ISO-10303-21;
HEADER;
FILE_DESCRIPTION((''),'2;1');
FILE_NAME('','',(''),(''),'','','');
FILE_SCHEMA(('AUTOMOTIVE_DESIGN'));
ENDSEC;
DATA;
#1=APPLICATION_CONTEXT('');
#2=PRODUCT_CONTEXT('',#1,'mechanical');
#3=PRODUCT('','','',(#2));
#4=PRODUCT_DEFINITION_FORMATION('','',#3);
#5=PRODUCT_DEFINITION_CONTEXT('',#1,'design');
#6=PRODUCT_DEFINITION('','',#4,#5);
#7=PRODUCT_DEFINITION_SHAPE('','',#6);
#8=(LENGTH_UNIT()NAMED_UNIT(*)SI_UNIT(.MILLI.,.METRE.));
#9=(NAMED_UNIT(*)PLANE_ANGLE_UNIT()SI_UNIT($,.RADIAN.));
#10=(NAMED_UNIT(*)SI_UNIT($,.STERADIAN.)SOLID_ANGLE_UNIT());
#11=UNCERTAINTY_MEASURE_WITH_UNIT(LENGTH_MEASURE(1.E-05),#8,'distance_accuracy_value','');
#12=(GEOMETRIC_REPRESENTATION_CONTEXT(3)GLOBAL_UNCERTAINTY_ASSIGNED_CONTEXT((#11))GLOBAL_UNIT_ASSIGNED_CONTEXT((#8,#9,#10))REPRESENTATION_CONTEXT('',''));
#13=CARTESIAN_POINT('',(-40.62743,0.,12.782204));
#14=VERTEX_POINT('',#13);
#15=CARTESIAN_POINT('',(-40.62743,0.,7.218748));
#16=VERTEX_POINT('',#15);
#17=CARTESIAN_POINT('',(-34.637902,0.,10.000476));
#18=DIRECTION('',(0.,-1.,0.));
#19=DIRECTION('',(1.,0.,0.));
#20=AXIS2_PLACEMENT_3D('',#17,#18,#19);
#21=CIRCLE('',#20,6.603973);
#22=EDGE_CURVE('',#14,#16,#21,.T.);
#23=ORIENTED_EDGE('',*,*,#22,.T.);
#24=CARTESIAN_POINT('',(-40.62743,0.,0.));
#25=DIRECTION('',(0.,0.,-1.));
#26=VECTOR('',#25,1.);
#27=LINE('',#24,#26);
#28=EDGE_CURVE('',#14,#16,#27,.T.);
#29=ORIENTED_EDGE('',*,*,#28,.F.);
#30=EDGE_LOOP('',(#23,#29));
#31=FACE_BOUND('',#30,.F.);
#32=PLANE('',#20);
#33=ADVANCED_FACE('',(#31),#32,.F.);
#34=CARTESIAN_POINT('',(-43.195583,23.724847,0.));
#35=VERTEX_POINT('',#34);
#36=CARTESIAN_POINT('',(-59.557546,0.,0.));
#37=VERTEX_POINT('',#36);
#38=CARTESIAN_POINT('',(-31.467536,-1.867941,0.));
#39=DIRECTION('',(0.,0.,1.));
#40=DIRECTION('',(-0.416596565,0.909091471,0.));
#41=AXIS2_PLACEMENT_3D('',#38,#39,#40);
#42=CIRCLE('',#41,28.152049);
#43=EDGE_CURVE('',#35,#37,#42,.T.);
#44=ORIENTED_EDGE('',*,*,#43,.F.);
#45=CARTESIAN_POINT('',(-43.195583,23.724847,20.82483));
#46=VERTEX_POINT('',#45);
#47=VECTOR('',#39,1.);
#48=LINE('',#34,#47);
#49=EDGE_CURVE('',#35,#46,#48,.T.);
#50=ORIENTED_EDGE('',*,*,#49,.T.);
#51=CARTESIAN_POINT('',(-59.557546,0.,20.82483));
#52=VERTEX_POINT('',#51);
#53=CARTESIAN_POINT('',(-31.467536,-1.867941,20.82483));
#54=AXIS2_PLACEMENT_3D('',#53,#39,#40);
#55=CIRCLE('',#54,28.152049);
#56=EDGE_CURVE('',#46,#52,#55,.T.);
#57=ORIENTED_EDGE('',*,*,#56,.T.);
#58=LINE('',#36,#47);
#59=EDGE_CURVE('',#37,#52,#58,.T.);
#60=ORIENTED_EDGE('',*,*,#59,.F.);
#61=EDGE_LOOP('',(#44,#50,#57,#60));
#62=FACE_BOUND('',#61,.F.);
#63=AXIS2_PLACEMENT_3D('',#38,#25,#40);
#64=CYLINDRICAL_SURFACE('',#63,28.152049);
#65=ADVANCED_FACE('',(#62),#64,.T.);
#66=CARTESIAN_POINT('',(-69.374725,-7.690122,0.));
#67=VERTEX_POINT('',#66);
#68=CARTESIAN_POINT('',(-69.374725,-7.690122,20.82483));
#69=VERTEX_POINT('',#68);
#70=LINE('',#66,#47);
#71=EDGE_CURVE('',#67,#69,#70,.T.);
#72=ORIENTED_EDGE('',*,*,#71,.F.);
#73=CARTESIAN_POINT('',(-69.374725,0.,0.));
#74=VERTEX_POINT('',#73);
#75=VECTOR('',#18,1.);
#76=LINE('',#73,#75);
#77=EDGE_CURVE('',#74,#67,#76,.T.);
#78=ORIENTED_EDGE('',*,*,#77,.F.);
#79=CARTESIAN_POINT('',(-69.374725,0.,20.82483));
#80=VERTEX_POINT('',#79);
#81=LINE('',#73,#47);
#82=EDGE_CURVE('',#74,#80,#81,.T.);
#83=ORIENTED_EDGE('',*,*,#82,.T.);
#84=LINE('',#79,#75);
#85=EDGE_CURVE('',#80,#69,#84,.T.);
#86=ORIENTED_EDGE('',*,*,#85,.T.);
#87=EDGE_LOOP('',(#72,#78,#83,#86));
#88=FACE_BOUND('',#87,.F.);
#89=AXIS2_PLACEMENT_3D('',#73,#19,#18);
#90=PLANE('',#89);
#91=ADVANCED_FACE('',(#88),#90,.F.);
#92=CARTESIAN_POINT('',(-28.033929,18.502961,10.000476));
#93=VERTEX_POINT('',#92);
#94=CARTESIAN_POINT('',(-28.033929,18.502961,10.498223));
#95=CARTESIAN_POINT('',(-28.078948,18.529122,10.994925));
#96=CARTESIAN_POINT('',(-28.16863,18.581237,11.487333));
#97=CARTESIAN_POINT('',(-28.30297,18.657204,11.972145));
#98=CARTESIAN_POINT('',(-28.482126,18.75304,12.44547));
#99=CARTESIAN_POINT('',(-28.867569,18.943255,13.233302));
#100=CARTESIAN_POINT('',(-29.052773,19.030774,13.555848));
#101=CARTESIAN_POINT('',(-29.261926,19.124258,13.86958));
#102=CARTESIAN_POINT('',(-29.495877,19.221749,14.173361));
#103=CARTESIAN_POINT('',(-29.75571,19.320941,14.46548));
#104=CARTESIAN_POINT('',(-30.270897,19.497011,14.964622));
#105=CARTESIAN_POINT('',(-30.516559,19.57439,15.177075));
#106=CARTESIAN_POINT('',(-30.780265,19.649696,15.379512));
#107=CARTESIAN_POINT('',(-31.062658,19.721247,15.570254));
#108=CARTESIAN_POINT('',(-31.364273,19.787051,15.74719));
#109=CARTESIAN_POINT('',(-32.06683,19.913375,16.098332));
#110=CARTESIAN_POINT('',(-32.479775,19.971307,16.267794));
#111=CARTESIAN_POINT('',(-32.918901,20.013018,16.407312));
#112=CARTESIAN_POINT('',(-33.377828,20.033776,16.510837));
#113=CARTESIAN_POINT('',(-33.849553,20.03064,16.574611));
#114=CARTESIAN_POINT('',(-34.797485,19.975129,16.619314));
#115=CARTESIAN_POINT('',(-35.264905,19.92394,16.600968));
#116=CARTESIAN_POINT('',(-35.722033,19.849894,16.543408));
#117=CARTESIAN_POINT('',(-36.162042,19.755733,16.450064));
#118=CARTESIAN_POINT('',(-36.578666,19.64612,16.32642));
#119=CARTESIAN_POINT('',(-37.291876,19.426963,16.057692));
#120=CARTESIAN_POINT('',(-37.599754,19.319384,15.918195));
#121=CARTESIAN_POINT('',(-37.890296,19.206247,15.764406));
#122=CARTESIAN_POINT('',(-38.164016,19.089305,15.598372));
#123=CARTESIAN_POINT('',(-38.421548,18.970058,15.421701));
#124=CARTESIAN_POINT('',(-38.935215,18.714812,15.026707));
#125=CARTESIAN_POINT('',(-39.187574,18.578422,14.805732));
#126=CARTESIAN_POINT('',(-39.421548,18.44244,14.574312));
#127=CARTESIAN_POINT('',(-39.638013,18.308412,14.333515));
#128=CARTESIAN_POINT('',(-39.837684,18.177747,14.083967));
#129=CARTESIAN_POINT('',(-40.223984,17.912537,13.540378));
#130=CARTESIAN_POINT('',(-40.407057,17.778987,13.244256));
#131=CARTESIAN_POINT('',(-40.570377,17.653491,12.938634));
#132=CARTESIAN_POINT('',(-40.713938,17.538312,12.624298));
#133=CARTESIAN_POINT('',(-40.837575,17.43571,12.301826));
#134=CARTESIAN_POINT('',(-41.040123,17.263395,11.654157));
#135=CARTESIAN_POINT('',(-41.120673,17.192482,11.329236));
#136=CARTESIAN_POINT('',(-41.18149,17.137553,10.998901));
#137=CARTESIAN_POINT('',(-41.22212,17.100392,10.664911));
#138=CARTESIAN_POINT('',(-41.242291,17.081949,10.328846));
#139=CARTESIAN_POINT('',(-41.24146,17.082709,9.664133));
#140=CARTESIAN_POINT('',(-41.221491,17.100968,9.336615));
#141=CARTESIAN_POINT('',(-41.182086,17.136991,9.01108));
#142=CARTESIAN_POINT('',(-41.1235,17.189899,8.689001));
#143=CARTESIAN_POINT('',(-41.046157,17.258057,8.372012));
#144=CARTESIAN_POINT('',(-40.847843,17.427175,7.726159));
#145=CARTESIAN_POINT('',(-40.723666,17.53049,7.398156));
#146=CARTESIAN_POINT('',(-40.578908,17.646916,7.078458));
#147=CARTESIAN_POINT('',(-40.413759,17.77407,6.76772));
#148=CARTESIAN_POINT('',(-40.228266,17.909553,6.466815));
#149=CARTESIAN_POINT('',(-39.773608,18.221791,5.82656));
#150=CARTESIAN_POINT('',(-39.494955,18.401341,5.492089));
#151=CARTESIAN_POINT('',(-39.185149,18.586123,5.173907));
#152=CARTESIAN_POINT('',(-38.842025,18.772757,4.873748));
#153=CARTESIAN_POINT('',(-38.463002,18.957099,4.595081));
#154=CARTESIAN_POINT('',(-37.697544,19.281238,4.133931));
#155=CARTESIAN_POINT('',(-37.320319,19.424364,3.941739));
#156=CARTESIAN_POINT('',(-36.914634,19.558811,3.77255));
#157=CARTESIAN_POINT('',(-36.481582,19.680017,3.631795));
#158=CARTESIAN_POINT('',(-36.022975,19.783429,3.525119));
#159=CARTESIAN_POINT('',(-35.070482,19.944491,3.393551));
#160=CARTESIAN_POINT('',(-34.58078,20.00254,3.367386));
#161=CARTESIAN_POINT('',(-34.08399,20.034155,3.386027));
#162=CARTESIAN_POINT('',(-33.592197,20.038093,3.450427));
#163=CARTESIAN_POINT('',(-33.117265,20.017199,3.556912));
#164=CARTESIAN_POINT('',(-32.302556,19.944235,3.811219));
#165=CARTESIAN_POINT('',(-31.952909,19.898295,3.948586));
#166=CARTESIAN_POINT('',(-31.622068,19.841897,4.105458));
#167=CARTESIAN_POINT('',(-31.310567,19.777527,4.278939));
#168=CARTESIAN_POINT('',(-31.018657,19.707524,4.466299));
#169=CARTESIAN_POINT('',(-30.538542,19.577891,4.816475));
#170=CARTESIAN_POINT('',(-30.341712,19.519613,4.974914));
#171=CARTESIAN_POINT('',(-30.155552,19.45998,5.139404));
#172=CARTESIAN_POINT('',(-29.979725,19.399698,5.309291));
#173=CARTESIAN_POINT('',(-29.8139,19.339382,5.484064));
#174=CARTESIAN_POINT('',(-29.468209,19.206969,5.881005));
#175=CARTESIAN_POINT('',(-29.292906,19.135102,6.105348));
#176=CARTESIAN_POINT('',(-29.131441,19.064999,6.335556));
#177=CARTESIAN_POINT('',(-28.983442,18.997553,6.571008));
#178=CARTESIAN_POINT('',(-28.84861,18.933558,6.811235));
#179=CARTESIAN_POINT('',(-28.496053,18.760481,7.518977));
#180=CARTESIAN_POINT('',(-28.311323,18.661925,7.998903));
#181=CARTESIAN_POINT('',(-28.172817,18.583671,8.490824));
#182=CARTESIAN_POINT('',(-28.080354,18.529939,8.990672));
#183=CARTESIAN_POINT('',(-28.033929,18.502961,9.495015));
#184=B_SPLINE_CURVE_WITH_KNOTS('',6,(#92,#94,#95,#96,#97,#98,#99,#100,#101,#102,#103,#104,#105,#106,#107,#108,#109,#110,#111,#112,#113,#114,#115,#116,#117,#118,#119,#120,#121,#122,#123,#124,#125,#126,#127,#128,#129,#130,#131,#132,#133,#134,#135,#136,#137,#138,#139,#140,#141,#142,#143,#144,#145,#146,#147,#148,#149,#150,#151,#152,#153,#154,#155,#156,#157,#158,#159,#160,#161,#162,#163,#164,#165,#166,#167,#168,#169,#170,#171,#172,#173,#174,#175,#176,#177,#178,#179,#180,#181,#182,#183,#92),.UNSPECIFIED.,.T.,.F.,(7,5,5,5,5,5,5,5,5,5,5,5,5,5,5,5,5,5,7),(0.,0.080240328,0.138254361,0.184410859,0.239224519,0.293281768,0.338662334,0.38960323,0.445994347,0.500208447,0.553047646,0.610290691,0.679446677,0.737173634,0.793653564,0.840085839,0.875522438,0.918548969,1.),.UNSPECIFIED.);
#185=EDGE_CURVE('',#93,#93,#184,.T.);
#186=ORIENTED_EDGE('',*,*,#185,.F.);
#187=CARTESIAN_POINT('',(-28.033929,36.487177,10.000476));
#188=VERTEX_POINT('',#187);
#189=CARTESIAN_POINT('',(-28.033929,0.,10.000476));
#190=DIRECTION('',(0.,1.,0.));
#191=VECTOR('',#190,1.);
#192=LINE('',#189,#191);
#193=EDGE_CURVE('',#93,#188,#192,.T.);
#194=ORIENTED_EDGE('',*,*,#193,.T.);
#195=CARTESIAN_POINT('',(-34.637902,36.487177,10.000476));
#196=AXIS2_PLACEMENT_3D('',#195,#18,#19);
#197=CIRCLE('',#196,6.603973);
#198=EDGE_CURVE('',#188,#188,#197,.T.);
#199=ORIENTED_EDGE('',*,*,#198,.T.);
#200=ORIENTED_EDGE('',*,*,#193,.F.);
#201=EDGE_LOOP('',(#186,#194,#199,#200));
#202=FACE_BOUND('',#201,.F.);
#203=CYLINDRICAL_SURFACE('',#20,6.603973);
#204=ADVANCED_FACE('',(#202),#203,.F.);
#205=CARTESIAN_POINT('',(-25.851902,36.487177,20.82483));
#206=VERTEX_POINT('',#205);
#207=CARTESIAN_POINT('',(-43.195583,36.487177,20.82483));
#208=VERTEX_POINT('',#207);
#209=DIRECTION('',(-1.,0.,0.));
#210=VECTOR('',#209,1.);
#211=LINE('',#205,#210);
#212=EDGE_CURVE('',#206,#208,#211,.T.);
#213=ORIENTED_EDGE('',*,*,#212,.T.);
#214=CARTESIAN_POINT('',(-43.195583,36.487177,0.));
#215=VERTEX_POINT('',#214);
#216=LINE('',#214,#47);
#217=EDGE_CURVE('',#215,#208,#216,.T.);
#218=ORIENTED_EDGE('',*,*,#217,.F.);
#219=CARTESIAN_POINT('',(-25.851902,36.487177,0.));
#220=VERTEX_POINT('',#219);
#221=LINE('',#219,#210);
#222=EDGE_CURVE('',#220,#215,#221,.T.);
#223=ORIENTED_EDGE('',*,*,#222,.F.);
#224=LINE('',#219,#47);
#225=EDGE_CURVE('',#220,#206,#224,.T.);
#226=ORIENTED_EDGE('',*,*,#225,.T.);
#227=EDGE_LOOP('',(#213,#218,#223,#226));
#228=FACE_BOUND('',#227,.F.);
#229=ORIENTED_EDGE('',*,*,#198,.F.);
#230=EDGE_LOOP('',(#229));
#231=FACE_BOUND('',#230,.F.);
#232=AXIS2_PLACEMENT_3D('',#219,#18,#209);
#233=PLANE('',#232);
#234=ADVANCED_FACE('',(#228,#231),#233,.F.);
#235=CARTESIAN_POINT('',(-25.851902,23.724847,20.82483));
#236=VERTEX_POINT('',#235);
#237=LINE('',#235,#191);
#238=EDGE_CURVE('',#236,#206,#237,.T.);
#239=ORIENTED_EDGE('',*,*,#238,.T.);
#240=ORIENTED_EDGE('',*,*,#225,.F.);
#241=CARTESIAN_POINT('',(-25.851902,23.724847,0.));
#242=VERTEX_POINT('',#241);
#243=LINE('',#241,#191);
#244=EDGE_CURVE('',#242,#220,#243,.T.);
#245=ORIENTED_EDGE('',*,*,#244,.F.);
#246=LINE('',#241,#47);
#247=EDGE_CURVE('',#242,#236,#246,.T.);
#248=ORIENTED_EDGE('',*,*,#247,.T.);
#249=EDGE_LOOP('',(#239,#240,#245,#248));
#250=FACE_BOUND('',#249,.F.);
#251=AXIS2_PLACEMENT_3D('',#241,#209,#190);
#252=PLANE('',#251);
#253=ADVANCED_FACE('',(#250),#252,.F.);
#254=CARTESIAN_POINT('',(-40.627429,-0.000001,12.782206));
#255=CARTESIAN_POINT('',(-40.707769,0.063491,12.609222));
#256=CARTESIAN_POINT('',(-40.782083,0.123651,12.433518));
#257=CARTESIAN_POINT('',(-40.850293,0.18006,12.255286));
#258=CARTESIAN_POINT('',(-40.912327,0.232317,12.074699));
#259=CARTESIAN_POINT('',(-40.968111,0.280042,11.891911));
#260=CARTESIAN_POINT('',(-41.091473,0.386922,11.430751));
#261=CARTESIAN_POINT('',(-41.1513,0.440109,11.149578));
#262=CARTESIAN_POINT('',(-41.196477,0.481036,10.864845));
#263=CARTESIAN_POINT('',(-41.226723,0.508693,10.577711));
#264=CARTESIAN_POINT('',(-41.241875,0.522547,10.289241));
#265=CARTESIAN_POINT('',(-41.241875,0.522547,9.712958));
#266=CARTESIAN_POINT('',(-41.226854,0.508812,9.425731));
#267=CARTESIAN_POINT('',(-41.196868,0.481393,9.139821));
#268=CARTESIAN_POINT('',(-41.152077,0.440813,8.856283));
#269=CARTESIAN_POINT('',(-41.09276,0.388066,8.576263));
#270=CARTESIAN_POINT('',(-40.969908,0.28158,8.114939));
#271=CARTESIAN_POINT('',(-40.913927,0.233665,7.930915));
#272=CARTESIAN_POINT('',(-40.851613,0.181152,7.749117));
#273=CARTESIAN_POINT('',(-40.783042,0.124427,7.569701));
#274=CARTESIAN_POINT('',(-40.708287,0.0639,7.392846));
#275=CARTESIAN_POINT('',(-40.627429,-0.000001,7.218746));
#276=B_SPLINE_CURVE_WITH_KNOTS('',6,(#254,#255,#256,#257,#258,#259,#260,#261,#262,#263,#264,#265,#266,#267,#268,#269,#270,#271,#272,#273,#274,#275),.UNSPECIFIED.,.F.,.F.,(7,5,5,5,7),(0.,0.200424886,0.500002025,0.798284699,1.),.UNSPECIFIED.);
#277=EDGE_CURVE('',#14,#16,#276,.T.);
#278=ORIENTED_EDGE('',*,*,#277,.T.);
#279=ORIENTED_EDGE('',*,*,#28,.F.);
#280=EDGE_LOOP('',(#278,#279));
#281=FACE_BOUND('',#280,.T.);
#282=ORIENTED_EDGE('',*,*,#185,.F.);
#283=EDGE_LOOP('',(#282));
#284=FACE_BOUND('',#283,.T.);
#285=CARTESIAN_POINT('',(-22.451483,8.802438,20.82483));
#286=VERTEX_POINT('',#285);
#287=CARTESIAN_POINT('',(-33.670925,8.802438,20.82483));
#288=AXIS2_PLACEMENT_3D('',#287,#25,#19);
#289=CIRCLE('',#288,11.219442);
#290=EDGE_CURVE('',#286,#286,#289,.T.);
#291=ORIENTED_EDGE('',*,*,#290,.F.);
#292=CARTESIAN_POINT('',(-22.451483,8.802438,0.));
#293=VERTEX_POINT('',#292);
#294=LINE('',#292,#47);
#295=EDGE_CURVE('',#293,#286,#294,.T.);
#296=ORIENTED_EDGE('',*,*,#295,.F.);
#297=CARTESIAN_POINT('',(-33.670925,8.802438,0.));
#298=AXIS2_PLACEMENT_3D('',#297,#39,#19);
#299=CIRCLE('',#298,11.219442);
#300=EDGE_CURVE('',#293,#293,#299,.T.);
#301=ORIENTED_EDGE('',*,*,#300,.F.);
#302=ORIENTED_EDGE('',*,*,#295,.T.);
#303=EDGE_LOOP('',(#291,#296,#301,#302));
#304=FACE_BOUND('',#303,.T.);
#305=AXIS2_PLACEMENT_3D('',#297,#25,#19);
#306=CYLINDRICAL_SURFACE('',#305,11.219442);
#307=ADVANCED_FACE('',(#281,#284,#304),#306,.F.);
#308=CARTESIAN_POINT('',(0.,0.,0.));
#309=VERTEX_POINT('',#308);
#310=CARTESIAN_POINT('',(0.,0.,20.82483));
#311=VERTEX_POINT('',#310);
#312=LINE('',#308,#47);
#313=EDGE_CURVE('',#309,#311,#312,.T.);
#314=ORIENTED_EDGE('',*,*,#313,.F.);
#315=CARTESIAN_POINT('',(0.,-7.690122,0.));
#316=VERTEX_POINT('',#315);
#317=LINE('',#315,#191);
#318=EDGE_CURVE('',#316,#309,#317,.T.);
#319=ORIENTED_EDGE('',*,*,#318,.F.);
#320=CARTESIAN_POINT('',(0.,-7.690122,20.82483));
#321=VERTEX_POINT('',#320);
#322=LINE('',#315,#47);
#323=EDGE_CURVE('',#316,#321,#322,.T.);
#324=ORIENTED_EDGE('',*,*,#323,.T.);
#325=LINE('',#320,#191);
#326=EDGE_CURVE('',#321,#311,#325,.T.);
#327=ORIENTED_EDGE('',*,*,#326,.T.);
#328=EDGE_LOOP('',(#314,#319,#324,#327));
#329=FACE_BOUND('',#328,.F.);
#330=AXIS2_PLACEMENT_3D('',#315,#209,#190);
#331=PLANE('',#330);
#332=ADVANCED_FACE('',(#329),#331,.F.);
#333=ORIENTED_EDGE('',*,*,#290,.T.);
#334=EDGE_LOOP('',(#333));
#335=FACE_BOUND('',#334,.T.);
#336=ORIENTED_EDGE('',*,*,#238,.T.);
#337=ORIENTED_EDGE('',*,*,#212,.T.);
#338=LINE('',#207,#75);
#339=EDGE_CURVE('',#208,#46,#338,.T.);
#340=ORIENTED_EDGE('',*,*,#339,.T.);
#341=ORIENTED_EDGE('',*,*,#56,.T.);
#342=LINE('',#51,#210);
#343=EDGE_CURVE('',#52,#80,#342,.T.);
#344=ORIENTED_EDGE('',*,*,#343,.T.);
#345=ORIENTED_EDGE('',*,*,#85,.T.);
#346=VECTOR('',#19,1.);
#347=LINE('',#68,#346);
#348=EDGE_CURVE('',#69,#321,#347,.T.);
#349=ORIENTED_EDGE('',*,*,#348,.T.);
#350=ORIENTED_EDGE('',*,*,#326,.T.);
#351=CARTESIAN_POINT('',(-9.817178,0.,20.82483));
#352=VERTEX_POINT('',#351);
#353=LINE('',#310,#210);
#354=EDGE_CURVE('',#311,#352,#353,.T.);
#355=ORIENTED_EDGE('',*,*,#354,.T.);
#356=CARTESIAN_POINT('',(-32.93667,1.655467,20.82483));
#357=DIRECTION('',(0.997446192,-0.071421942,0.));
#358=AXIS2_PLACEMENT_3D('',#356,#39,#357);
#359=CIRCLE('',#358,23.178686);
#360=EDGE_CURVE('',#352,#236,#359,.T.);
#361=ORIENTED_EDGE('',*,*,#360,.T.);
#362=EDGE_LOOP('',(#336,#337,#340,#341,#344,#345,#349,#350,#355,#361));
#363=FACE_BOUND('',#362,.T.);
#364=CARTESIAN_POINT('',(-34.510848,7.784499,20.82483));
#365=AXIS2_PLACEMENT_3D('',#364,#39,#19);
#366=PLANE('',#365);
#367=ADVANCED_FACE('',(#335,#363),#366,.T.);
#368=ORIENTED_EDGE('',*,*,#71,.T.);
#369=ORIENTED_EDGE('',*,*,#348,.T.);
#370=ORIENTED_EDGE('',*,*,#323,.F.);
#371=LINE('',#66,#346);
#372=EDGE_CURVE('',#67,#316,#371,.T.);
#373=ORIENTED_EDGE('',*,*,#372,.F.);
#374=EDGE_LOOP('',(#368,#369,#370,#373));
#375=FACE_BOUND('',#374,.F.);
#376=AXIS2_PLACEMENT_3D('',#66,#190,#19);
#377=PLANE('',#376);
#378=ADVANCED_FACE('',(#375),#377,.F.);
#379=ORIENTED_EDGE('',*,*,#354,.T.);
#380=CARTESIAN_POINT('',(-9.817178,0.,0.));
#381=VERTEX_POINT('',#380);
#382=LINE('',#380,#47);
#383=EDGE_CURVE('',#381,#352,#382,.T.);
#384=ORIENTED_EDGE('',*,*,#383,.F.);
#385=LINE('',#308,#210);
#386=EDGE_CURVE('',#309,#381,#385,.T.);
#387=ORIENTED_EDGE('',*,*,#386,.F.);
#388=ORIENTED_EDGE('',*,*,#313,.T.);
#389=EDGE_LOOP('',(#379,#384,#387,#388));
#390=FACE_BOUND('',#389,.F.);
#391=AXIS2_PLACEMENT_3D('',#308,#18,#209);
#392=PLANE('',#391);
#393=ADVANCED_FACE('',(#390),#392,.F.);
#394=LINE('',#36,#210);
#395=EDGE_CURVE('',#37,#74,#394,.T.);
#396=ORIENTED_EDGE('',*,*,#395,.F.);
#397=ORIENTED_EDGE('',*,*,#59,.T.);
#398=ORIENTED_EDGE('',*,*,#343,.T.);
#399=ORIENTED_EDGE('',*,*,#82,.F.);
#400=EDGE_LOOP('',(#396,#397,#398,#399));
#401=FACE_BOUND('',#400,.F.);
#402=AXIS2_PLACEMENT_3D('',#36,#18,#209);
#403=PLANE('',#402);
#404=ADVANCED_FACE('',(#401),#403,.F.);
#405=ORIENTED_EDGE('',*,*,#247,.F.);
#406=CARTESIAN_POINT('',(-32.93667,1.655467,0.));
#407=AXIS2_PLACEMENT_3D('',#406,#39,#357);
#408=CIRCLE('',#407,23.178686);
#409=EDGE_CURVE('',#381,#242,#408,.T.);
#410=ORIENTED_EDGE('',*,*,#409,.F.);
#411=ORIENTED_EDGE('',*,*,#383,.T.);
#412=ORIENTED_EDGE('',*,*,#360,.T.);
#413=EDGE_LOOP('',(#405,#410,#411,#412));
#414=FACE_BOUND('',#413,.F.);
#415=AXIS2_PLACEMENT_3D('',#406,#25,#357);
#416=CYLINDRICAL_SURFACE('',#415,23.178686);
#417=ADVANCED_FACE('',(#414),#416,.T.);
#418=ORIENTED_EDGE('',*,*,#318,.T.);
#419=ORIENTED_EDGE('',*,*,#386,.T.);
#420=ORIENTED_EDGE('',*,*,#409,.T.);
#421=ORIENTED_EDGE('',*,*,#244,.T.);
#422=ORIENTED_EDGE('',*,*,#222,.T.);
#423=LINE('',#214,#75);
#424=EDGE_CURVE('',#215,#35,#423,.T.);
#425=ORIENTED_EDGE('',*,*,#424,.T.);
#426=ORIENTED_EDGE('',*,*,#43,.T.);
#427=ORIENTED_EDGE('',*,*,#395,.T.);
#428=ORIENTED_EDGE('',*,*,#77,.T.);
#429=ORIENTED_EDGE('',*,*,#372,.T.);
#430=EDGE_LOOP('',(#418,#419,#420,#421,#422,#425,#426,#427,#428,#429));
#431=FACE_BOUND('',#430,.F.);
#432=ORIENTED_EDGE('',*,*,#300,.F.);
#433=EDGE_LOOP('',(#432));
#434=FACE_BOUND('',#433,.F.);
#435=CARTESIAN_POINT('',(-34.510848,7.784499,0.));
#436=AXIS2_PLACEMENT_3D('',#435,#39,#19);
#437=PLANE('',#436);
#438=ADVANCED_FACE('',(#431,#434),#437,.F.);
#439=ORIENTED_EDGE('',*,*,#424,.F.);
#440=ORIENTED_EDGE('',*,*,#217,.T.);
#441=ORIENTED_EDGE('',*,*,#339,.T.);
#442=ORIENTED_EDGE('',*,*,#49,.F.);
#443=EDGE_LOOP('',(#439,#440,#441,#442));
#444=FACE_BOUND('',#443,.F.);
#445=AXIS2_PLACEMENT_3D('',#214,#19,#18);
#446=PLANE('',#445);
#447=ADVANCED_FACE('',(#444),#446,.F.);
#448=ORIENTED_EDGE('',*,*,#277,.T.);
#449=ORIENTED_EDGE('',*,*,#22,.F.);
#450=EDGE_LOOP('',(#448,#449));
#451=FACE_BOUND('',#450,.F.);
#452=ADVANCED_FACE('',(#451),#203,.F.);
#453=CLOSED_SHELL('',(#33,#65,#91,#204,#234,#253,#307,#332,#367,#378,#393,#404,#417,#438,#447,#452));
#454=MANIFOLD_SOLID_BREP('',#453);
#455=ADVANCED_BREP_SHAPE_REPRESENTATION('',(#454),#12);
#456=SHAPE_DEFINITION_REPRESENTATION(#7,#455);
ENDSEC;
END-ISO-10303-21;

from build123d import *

# Parameters (mm, degrees)
F1_DEPTH = 20.82483
F2_R     = 11.219442
F3_DEPTH = 25.4
F4_R     = 6.603973
F5_DEPTH = 39.32976


with BuildPart() as f1:
    # F0 (on Top) → F1 (new body)
    with BuildSketch(Plane.XY):
        with BuildLine():
            Line((0, 0), (-9.817178, 0))
            ThreePointArc((-9.817178, 0), (-13.732727, 14.634683), (-25.851902, 23.724847))
            Line((-25.851902, 23.724847), (-25.851902, 36.487177))
            Line((-25.851902, 36.487177), (-43.195583, 36.487177))
            Line((-43.195583, 36.487177), (-43.195583, 23.724847))
            ThreePointArc((-43.195583, 23.724847), (-54.642663, 14.114905), (-59.557546, 0))
            Line((-59.557546, 0), (-69.374725, 0))
            Line((-69.374725, 0), (-69.374725, -7.690122))
            Line((-69.374725, -7.690122), (0, -7.690122))
            Line((0, -7.690122), (0, 0))
        make_face()
    extrude(amount=F1_DEPTH)

    # F2 (on Top) → F3 (cut)
    with BuildSketch(Plane.XY):
        with Locations((-33.670925, 8.802438)):
            Circle(F2_R)
    extrude(amount=F3_DEPTH, mode=Mode.SUBTRACT)

    # F4 (on Front) → F5 (cut)
    with BuildSketch(Plane.XZ):
        with Locations((-34.637902, 10.000476)):
            Circle(F4_R)
    extrude(amount=-F5_DEPTH, mode=Mode.SUBTRACT)


solid = f1.part
